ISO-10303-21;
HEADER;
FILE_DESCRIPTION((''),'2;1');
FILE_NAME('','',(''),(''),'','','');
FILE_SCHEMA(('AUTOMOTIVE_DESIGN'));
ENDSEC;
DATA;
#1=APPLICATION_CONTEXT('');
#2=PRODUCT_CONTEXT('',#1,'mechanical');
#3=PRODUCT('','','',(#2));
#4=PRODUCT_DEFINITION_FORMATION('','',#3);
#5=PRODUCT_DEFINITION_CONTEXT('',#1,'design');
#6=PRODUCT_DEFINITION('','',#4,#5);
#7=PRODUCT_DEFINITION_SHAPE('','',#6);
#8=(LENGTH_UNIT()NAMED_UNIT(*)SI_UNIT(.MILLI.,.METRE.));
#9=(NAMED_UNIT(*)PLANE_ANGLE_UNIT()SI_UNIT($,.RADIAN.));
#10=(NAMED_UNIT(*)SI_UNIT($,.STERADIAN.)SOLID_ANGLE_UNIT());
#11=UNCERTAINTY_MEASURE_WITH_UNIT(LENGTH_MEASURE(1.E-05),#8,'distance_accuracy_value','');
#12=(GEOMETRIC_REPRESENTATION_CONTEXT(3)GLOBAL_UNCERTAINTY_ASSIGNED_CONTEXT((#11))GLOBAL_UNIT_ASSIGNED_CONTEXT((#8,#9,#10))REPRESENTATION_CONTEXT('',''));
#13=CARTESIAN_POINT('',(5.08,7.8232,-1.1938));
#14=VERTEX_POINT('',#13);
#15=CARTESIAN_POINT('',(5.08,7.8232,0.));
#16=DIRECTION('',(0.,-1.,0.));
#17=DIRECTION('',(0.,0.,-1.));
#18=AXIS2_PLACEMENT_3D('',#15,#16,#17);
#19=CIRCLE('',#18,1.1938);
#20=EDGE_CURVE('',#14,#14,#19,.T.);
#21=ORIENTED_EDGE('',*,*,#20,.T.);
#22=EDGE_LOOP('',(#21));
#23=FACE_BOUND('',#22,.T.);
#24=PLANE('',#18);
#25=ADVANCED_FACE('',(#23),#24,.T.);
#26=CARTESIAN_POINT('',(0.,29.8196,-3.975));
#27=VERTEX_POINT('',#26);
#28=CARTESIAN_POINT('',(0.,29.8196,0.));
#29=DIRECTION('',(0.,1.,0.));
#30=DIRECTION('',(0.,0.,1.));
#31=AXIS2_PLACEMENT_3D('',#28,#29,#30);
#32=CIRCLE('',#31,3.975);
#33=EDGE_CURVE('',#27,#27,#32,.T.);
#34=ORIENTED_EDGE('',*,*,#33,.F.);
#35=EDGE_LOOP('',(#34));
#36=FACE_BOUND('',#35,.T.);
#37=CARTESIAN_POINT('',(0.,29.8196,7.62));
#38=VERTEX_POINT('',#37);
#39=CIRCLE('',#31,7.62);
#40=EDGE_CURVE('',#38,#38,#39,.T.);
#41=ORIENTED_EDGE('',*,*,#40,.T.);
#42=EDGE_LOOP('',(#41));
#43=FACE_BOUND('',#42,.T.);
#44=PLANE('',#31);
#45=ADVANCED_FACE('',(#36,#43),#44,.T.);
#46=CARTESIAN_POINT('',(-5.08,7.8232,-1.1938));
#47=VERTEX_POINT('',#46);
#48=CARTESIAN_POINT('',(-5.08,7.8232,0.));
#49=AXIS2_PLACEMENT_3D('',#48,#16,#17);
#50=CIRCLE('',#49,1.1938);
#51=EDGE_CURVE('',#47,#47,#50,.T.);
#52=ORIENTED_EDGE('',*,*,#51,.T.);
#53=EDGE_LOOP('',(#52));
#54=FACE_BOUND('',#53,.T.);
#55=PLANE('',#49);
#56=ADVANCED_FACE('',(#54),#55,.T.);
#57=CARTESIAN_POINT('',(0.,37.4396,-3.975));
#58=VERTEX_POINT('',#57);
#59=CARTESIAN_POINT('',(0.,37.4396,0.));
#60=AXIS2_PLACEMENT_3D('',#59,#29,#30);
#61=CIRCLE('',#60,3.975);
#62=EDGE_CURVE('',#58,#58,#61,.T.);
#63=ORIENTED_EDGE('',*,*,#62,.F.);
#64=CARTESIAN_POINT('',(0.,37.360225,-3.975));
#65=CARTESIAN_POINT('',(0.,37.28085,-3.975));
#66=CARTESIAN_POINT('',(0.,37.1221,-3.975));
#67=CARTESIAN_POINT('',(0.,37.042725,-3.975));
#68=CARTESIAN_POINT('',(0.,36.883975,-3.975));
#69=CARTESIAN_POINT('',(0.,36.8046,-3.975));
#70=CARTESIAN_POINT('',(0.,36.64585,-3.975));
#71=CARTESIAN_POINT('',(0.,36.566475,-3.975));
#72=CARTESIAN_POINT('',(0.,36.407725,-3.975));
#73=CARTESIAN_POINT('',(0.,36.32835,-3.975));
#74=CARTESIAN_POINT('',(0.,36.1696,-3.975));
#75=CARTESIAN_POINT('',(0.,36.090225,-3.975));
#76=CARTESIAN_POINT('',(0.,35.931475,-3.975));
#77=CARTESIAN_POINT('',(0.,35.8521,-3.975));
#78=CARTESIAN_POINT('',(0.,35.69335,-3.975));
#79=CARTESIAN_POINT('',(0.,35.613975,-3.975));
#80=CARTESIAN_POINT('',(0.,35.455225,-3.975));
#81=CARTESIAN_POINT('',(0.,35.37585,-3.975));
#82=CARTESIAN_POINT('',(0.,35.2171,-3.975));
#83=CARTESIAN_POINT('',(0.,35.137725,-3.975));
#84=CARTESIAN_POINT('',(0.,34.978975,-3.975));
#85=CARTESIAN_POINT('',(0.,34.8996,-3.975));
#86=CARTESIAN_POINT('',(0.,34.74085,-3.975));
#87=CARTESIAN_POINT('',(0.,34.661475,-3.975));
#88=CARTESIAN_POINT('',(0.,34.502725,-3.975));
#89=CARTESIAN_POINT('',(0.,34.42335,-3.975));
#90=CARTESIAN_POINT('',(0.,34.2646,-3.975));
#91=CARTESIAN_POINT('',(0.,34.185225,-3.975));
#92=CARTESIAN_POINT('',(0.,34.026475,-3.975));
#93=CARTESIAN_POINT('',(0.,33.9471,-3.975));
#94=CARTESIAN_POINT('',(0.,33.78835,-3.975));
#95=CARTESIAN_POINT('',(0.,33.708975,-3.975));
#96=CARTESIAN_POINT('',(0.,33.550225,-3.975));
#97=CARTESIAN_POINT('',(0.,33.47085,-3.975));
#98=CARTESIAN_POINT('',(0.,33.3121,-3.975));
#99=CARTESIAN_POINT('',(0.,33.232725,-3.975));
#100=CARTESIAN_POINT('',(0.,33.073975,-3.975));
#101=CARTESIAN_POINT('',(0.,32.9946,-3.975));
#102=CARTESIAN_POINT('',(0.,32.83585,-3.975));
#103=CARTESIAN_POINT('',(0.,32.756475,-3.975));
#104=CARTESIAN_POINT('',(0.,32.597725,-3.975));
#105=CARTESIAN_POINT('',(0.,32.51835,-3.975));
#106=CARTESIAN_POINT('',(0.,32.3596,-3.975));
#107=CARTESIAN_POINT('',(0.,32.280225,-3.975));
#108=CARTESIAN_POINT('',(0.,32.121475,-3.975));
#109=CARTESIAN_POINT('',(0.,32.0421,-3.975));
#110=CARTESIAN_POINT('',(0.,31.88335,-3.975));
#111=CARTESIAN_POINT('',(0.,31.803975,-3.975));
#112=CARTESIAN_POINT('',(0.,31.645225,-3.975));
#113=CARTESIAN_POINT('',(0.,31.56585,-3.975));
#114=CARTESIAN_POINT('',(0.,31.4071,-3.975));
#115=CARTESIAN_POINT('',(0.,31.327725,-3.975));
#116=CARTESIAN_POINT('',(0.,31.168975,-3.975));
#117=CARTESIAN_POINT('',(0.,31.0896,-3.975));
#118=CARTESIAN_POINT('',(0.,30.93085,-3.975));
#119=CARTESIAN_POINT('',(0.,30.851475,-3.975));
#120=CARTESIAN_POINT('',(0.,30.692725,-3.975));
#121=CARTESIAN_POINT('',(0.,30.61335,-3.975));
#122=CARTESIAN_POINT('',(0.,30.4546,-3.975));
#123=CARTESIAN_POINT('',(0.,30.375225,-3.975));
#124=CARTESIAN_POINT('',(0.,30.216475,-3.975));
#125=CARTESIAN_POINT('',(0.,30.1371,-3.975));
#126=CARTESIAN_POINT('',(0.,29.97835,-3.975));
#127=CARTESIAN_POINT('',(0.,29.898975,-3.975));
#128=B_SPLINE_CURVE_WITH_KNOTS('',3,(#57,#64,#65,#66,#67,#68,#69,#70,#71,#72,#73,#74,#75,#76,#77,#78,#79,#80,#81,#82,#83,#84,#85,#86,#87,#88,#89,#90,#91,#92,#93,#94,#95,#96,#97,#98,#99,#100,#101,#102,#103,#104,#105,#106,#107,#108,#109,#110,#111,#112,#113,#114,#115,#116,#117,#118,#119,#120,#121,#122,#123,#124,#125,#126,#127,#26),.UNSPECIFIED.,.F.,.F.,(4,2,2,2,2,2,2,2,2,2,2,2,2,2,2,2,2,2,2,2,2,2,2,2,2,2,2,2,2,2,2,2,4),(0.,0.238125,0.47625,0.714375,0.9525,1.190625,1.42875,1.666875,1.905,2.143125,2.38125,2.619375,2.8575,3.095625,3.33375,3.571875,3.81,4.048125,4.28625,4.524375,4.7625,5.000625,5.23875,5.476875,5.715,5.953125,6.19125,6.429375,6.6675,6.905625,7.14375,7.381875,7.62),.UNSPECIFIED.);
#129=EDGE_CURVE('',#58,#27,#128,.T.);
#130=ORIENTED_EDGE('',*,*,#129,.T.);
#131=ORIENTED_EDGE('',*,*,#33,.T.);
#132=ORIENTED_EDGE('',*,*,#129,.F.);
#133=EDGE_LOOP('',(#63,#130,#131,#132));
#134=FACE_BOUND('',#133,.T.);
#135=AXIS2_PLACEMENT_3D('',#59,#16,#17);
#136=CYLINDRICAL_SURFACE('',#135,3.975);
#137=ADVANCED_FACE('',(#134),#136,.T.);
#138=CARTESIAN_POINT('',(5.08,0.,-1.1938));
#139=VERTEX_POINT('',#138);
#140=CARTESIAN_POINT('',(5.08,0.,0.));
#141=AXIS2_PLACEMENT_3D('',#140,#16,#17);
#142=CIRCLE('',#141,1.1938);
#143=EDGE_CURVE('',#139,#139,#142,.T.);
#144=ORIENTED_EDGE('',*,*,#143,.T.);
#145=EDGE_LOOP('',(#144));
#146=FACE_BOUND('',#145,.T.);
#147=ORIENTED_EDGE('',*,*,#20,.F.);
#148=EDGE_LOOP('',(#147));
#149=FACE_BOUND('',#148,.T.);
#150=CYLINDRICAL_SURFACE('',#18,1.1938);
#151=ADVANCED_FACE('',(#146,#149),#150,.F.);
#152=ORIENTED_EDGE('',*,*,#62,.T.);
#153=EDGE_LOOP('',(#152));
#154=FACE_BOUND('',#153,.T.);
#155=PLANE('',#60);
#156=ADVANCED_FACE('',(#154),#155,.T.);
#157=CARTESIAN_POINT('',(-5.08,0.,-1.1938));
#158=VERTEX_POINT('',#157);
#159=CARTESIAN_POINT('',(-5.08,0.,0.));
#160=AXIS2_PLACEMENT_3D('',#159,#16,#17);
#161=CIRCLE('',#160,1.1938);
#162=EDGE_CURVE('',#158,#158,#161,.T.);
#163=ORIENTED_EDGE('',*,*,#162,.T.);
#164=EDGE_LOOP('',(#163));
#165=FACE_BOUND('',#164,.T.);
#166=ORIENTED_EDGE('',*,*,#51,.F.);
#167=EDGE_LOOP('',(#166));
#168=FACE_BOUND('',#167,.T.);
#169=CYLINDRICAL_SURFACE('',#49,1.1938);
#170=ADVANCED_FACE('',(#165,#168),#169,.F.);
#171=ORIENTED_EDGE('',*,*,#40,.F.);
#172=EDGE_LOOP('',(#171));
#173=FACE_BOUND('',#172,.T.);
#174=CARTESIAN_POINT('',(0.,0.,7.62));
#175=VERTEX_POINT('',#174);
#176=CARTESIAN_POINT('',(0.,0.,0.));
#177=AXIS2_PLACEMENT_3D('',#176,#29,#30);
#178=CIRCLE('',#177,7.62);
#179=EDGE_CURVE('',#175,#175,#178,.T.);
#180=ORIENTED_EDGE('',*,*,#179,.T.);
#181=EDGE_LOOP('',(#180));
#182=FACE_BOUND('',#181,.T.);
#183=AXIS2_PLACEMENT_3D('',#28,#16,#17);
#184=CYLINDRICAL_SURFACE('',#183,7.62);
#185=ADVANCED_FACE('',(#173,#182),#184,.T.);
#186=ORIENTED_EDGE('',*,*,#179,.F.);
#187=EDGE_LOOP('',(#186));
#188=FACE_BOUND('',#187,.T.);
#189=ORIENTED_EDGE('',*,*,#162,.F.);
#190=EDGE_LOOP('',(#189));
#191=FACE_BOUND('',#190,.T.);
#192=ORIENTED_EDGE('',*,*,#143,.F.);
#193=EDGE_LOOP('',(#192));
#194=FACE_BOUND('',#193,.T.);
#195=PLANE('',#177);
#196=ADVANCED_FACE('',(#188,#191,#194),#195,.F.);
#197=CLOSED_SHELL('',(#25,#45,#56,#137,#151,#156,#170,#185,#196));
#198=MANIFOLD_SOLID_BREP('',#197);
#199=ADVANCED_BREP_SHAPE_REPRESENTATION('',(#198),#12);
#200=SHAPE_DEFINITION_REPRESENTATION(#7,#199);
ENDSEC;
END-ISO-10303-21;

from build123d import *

# Parameters (mm, degrees)
SKETCH1_R           = 7.62
BOSS_EXTRUDE1_DEPTH = 29.8196
SKETCH2_R           = 3.975
BOSS_EXTRUDE2_DEPTH = 7.62
SKETCH3_R           = 1.1938
CUT_EXTRUDE1_DEPTH  = 7.8232


with BuildPart() as part:
    # Sketch1 → Boss-Extrude1 (new body)
    with BuildSketch(Plane(origin=(0, 0, 0), x_dir=(1, 0, 0), z_dir=(0, 1, 0))):
        with Locations(Location((0, 0, 0), (0, 0, 270))):
            Circle(SKETCH1_R)
    extrude(amount=BOSS_EXTRUDE1_DEPTH)

    # Sketch2 → Boss-Extrude2 (add)
    with BuildSketch(Plane(origin=(0, 29.8196, 0), x_dir=(1, 0, 0), z_dir=(0, 1, 0))):
        with Locations(Location((0, 0, 0), (0, 0, 90))):
            Circle(SKETCH2_R)
    extrude(amount=BOSS_EXTRUDE2_DEPTH)

    # Sketch3 → Cut-Extrude1 (cut)
    with BuildSketch(Plane.XZ):
        with Locations(Location((-5.08, 0, 0), (0, 0, 270))):
            Circle(SKETCH3_R)
        with Locations(Location((5.08, 0, 0), (0, 0, 270))):
            Circle(SKETCH3_R)
    extrude(amount=-CUT_EXTRUDE1_DEPTH, mode=Mode.SUBTRACT)


solid = part.part
